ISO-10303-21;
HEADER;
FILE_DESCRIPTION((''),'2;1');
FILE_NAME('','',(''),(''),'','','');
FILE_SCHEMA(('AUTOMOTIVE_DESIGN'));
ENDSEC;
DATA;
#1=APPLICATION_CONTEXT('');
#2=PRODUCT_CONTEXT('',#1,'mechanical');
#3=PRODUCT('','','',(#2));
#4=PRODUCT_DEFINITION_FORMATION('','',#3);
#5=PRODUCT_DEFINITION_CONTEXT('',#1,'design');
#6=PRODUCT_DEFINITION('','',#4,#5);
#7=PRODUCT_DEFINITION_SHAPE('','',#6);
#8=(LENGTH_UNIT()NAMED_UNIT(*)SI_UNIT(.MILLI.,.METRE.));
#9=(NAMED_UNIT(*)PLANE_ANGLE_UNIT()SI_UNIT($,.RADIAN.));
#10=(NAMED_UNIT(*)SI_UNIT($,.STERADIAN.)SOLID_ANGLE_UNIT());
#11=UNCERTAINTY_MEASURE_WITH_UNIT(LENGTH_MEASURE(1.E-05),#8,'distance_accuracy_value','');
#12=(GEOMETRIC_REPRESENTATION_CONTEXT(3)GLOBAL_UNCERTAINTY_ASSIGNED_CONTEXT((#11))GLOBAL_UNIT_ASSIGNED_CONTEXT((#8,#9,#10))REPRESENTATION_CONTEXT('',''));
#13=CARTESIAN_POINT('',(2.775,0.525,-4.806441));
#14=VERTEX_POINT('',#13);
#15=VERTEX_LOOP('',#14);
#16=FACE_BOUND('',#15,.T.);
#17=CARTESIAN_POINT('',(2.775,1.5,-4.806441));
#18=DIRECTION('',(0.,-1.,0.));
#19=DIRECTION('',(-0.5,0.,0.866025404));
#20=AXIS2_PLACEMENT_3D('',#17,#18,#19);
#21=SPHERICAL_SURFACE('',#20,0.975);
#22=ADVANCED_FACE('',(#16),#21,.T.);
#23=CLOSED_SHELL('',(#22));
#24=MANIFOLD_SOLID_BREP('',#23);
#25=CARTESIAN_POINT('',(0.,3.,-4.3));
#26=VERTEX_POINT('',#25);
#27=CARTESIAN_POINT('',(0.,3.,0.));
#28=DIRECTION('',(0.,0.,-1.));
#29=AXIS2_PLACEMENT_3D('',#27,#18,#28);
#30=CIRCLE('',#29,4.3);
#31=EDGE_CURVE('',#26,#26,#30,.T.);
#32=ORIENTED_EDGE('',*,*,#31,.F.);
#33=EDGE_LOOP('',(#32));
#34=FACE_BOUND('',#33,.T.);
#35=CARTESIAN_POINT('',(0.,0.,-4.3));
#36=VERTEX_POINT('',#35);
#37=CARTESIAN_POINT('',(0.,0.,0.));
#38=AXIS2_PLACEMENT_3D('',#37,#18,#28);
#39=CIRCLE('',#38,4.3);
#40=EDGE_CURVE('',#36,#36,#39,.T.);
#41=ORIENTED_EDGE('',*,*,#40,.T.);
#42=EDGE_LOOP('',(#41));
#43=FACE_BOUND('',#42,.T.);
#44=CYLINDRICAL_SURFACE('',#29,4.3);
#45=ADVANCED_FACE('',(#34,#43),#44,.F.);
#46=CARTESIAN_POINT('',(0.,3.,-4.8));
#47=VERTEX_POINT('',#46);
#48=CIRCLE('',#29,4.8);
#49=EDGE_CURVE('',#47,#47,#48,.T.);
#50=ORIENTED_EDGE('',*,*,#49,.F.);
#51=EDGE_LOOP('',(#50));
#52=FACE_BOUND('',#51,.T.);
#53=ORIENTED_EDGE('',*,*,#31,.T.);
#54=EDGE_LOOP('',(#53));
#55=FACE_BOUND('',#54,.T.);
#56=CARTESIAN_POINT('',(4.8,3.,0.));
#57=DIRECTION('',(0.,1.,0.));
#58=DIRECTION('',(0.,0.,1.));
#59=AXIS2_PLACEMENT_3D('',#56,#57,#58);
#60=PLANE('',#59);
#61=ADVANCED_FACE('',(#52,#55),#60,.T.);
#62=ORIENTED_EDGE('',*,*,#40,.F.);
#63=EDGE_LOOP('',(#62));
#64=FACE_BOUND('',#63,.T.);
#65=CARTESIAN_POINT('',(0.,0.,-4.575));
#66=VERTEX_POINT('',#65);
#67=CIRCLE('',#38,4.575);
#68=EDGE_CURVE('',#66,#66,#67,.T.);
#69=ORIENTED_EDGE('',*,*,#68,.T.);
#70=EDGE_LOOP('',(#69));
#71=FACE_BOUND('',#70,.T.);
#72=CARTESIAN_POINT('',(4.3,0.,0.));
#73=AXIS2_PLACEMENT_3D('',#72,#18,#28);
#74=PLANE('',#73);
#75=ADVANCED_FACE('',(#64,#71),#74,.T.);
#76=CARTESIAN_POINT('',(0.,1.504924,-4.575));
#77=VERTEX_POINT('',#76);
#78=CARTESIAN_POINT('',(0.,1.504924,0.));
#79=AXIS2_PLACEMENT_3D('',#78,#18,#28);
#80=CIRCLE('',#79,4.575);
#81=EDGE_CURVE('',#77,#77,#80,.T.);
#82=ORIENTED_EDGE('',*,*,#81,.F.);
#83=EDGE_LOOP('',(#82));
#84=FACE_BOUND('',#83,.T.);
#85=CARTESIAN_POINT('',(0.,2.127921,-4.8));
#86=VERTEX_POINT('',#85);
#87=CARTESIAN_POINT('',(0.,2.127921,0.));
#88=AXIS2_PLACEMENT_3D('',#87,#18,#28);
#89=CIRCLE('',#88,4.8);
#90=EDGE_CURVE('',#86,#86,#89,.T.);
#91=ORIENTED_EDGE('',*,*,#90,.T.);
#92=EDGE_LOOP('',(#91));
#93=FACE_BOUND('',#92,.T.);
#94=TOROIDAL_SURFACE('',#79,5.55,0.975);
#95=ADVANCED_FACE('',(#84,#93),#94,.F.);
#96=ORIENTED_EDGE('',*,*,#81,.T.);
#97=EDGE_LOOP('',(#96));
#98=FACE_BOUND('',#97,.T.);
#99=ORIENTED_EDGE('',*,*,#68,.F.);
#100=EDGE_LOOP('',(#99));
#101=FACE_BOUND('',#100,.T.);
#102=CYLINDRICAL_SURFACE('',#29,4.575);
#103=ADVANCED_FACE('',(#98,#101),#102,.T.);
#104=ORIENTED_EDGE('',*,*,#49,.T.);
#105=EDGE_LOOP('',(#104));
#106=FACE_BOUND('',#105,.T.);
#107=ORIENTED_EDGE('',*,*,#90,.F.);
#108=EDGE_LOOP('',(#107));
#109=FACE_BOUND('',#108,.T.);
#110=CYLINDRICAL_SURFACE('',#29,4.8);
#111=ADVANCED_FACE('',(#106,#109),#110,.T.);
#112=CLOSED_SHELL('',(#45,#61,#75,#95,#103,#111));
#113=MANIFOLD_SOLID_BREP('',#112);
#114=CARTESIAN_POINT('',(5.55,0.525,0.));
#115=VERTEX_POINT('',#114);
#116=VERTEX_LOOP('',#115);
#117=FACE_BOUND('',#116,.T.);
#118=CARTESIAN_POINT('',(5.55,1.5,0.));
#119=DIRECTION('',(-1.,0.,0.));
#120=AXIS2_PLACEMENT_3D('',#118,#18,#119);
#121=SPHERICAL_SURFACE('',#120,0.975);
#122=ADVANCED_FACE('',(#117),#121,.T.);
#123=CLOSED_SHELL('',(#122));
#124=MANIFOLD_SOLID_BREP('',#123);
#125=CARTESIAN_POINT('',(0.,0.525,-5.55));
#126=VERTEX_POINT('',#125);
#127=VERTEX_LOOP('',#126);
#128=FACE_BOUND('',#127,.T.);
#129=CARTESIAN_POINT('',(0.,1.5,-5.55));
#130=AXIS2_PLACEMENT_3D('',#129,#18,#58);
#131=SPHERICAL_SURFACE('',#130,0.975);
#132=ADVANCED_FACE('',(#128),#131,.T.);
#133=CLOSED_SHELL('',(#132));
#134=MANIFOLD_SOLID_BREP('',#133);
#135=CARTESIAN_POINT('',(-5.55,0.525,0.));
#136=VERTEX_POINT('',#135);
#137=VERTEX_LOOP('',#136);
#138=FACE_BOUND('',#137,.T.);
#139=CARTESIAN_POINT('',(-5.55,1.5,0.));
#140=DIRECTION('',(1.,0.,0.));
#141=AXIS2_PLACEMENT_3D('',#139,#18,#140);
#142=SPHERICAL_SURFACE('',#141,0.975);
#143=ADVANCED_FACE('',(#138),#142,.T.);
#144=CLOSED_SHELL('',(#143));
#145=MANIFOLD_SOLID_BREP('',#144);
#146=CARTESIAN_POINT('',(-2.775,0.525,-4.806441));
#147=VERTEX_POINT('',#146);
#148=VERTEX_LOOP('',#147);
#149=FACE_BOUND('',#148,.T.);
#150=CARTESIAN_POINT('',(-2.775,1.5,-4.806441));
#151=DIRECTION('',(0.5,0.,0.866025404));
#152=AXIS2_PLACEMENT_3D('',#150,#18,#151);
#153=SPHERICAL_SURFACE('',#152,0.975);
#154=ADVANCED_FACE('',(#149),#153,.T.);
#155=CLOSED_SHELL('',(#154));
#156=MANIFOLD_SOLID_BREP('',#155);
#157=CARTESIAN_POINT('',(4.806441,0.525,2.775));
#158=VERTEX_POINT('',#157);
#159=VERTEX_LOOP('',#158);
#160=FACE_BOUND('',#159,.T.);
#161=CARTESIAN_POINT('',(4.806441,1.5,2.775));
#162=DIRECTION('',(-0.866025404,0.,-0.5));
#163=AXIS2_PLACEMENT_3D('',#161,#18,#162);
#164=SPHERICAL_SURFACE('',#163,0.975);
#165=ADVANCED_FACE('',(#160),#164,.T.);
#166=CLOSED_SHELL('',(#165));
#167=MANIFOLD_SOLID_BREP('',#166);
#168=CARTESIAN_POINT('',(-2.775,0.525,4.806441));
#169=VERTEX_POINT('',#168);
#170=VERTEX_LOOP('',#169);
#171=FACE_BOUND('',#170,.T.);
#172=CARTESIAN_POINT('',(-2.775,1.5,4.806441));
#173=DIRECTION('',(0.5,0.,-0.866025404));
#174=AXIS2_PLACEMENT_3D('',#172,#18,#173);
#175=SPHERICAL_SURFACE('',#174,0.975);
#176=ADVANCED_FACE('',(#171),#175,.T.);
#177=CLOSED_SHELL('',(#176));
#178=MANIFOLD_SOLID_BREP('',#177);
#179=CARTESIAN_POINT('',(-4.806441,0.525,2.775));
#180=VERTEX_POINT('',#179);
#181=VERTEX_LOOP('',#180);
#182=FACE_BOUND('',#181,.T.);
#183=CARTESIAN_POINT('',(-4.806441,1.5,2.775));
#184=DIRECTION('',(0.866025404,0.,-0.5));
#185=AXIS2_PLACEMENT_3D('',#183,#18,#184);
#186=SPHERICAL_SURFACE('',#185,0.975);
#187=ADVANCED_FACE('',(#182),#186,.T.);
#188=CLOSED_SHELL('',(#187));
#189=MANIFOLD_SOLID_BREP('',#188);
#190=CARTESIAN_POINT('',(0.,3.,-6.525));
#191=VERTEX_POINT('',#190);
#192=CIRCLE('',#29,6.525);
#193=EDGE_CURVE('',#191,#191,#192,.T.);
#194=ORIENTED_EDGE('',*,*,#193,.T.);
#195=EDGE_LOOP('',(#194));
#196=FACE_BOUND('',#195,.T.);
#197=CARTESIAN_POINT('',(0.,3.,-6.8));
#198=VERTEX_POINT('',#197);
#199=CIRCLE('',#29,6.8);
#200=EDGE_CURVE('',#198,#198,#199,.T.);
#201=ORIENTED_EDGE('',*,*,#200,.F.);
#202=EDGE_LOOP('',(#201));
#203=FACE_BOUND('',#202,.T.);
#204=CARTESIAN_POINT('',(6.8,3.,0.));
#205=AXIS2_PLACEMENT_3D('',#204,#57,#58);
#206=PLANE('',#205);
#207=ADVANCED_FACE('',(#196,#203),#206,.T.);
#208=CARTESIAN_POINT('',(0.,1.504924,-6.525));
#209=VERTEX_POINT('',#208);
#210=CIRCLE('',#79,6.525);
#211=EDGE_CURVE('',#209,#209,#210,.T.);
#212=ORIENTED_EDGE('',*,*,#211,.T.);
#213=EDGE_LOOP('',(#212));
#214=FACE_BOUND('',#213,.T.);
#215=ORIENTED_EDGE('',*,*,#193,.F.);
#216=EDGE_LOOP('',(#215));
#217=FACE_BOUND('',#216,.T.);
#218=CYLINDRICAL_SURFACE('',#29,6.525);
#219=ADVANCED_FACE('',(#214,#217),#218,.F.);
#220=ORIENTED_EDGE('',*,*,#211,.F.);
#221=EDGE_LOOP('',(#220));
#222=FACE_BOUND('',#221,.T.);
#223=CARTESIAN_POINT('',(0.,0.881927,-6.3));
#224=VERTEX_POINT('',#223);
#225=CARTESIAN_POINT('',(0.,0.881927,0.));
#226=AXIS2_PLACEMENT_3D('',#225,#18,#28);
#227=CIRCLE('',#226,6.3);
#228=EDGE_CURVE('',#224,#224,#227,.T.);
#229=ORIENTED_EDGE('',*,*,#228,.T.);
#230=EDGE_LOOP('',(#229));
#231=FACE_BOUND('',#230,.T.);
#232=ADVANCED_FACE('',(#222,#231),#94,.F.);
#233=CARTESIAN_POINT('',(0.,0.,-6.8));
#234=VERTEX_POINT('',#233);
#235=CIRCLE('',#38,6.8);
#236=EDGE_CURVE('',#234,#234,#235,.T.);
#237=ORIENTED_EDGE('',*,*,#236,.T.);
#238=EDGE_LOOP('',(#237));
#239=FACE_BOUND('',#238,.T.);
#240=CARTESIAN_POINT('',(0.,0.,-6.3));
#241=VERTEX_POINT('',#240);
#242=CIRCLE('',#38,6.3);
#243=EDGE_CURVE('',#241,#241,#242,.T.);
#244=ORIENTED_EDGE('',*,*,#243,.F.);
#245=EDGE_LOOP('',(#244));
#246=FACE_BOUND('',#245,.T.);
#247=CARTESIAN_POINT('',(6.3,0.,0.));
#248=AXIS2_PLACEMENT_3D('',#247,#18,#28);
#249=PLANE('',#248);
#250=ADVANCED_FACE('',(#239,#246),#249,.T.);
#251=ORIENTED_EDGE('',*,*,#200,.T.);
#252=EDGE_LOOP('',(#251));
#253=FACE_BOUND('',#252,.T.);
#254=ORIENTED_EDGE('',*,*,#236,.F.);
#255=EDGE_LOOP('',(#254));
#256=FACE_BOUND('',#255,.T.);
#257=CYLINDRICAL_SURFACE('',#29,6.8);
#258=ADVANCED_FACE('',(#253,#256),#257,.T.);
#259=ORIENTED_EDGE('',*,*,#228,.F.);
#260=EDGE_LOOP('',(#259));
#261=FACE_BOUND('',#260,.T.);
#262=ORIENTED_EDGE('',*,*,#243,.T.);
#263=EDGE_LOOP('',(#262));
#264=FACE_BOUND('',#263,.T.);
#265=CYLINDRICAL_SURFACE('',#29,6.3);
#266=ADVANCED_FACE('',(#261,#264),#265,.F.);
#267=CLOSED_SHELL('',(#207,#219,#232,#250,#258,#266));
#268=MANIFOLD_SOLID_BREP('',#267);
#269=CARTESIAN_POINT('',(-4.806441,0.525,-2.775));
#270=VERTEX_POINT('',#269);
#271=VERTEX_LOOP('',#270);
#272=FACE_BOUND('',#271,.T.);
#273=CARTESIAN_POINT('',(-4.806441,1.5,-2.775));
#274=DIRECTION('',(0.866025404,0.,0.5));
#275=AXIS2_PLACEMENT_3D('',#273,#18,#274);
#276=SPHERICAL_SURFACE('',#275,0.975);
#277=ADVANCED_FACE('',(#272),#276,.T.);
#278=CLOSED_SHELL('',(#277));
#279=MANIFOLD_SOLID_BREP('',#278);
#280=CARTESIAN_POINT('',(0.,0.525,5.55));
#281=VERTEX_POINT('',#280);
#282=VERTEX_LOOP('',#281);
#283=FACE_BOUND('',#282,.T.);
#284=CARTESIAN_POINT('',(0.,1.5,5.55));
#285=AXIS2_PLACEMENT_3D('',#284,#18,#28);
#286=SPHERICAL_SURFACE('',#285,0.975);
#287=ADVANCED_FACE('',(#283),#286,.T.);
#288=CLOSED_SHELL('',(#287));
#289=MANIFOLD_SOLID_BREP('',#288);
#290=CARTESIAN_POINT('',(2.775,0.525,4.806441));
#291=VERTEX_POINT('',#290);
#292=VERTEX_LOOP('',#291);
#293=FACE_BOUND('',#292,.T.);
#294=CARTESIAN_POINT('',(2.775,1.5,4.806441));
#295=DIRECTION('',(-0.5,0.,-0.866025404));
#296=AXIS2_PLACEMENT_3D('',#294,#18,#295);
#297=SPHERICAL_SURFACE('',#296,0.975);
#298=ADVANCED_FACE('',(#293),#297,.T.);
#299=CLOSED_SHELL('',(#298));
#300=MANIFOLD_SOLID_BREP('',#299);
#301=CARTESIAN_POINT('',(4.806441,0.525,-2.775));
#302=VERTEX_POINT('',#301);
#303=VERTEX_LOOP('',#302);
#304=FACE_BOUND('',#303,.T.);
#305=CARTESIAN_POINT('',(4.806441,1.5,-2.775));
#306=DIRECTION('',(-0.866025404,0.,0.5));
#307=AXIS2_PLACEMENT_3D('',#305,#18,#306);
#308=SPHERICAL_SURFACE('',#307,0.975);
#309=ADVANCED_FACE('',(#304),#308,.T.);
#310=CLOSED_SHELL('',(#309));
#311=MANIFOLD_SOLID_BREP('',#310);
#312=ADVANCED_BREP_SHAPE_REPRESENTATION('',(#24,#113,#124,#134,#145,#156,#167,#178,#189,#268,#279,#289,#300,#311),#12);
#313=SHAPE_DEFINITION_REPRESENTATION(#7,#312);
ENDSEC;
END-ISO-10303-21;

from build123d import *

# Parameters (mm, degrees)
CIRPATTERN1_COUNT = 12


with BuildPart() as part:
    # Sketch1 → Revolve1 (revolve)
    with BuildSketch(Plane.XY):
        with BuildLine():
            Line((4.3, 0), (4.575, 0))
            Line((4.575, 0), (4.575, 1.504924226))
            ThreePointArc((4.575, 1.504924226), (4.632973555, 1.836115259), (4.8, 2.127921016))
            Line((4.8, 2.127921016), (4.8, 3))
            Line((4.8, 3), (4.3, 3))
            Line((4.3, 3), (4.3, 0))
        make_face()
        with BuildLine():
            Line((6.8, 0), (6.8, 3))
            Line((6.8, 3), (6.525, 3))
            Line((6.525, 3), (6.525, 1.504924226))
            ThreePointArc((6.525, 1.504924226), (6.467026445, 1.173733194), (6.3, 0.881927437))
            Line((6.3, 0.881927437), (6.3, 0))
            Line((6.3, 0), (6.8, 0))
        make_face()
    revolve(axis=Axis((0, 3, 0), (0, 1, 0)))


with BuildPart() as body_2:
    # Sketch2 → Revolve2 (revolve)
    with BuildSketch(Plane.XY):
        with BuildLine():
            Line((5.55, 2.475), (5.55, 0.525))
            ThreePointArc((5.55, 0.525), (6.525, 1.5), (5.55, 2.475))
        make_face()
    revolve(axis=Axis((5.55, 0.243856037, 0), (0, 1, 0)))


with BuildPart() as cirpattern1_1:
    # CirPattern1: pattern copy
    add(body_2.part.rotate(Axis((0, 0, 0), (0, 1, 0)), 1 * 360 / CIRPATTERN1_COUNT))


with BuildPart() as cirpattern1_2:
    # CirPattern1: pattern copy
    add(body_2.part.rotate(Axis((0, 0, 0), (0, 1, 0)), 2 * 360 / CIRPATTERN1_COUNT))


with BuildPart() as cirpattern1_3:
    # CirPattern1: pattern copy
    add(body_2.part.rotate(Axis((0, 0, 0), (0, 1, 0)), 3 * 360 / CIRPATTERN1_COUNT))


with BuildPart() as cirpattern1_4:
    # CirPattern1: pattern copy
    add(body_2.part.rotate(Axis((0, 0, 0), (0, 1, 0)), 4 * 360 / CIRPATTERN1_COUNT))


with BuildPart() as cirpattern1_5:
    # CirPattern1: pattern copy
    add(body_2.part.rotate(Axis((0, 0, 0), (0, 1, 0)), 5 * 360 / CIRPATTERN1_COUNT))


with BuildPart() as cirpattern1_6:
    # CirPattern1: pattern copy
    add(body_2.part.rotate(Axis((0, 0, 0), (0, 1, 0)), 6 * 360 / CIRPATTERN1_COUNT))


with BuildPart() as cirpattern1_7:
    # CirPattern1: pattern copy
    add(body_2.part.rotate(Axis((0, 0, 0), (0, 1, 0)), 7 * 360 / CIRPATTERN1_COUNT))


with BuildPart() as cirpattern1_8:
    # CirPattern1: pattern copy
    add(body_2.part.rotate(Axis((0, 0, 0), (0, 1, 0)), 8 * 360 / CIRPATTERN1_COUNT))


with BuildPart() as cirpattern1_9:
    # CirPattern1: pattern copy
    add(body_2.part.rotate(Axis((0, 0, 0), (0, 1, 0)), 9 * 360 / CIRPATTERN1_COUNT))


with BuildPart() as cirpattern1_10:
    # CirPattern1: pattern copy
    add(body_2.part.rotate(Axis((0, 0, 0), (0, 1, 0)), 10 * 360 / CIRPATTERN1_COUNT))


with BuildPart() as cirpattern1_11:
    # CirPattern1: pattern copy
    add(body_2.part.rotate(Axis((0, 0, 0), (0, 1, 0)), 11 * 360 / CIRPATTERN1_COUNT))


solid = Compound([part.part, body_2.part, cirpattern1_1.part, cirpattern1_2.part, cirpattern1_3.part, cirpattern1_4.part, cirpattern1_5.part, cirpattern1_6.part, cirpattern1_7.part, cirpattern1_8.part, cirpattern1_9.part, cirpattern1_10.part, cirpattern1_11.part])
